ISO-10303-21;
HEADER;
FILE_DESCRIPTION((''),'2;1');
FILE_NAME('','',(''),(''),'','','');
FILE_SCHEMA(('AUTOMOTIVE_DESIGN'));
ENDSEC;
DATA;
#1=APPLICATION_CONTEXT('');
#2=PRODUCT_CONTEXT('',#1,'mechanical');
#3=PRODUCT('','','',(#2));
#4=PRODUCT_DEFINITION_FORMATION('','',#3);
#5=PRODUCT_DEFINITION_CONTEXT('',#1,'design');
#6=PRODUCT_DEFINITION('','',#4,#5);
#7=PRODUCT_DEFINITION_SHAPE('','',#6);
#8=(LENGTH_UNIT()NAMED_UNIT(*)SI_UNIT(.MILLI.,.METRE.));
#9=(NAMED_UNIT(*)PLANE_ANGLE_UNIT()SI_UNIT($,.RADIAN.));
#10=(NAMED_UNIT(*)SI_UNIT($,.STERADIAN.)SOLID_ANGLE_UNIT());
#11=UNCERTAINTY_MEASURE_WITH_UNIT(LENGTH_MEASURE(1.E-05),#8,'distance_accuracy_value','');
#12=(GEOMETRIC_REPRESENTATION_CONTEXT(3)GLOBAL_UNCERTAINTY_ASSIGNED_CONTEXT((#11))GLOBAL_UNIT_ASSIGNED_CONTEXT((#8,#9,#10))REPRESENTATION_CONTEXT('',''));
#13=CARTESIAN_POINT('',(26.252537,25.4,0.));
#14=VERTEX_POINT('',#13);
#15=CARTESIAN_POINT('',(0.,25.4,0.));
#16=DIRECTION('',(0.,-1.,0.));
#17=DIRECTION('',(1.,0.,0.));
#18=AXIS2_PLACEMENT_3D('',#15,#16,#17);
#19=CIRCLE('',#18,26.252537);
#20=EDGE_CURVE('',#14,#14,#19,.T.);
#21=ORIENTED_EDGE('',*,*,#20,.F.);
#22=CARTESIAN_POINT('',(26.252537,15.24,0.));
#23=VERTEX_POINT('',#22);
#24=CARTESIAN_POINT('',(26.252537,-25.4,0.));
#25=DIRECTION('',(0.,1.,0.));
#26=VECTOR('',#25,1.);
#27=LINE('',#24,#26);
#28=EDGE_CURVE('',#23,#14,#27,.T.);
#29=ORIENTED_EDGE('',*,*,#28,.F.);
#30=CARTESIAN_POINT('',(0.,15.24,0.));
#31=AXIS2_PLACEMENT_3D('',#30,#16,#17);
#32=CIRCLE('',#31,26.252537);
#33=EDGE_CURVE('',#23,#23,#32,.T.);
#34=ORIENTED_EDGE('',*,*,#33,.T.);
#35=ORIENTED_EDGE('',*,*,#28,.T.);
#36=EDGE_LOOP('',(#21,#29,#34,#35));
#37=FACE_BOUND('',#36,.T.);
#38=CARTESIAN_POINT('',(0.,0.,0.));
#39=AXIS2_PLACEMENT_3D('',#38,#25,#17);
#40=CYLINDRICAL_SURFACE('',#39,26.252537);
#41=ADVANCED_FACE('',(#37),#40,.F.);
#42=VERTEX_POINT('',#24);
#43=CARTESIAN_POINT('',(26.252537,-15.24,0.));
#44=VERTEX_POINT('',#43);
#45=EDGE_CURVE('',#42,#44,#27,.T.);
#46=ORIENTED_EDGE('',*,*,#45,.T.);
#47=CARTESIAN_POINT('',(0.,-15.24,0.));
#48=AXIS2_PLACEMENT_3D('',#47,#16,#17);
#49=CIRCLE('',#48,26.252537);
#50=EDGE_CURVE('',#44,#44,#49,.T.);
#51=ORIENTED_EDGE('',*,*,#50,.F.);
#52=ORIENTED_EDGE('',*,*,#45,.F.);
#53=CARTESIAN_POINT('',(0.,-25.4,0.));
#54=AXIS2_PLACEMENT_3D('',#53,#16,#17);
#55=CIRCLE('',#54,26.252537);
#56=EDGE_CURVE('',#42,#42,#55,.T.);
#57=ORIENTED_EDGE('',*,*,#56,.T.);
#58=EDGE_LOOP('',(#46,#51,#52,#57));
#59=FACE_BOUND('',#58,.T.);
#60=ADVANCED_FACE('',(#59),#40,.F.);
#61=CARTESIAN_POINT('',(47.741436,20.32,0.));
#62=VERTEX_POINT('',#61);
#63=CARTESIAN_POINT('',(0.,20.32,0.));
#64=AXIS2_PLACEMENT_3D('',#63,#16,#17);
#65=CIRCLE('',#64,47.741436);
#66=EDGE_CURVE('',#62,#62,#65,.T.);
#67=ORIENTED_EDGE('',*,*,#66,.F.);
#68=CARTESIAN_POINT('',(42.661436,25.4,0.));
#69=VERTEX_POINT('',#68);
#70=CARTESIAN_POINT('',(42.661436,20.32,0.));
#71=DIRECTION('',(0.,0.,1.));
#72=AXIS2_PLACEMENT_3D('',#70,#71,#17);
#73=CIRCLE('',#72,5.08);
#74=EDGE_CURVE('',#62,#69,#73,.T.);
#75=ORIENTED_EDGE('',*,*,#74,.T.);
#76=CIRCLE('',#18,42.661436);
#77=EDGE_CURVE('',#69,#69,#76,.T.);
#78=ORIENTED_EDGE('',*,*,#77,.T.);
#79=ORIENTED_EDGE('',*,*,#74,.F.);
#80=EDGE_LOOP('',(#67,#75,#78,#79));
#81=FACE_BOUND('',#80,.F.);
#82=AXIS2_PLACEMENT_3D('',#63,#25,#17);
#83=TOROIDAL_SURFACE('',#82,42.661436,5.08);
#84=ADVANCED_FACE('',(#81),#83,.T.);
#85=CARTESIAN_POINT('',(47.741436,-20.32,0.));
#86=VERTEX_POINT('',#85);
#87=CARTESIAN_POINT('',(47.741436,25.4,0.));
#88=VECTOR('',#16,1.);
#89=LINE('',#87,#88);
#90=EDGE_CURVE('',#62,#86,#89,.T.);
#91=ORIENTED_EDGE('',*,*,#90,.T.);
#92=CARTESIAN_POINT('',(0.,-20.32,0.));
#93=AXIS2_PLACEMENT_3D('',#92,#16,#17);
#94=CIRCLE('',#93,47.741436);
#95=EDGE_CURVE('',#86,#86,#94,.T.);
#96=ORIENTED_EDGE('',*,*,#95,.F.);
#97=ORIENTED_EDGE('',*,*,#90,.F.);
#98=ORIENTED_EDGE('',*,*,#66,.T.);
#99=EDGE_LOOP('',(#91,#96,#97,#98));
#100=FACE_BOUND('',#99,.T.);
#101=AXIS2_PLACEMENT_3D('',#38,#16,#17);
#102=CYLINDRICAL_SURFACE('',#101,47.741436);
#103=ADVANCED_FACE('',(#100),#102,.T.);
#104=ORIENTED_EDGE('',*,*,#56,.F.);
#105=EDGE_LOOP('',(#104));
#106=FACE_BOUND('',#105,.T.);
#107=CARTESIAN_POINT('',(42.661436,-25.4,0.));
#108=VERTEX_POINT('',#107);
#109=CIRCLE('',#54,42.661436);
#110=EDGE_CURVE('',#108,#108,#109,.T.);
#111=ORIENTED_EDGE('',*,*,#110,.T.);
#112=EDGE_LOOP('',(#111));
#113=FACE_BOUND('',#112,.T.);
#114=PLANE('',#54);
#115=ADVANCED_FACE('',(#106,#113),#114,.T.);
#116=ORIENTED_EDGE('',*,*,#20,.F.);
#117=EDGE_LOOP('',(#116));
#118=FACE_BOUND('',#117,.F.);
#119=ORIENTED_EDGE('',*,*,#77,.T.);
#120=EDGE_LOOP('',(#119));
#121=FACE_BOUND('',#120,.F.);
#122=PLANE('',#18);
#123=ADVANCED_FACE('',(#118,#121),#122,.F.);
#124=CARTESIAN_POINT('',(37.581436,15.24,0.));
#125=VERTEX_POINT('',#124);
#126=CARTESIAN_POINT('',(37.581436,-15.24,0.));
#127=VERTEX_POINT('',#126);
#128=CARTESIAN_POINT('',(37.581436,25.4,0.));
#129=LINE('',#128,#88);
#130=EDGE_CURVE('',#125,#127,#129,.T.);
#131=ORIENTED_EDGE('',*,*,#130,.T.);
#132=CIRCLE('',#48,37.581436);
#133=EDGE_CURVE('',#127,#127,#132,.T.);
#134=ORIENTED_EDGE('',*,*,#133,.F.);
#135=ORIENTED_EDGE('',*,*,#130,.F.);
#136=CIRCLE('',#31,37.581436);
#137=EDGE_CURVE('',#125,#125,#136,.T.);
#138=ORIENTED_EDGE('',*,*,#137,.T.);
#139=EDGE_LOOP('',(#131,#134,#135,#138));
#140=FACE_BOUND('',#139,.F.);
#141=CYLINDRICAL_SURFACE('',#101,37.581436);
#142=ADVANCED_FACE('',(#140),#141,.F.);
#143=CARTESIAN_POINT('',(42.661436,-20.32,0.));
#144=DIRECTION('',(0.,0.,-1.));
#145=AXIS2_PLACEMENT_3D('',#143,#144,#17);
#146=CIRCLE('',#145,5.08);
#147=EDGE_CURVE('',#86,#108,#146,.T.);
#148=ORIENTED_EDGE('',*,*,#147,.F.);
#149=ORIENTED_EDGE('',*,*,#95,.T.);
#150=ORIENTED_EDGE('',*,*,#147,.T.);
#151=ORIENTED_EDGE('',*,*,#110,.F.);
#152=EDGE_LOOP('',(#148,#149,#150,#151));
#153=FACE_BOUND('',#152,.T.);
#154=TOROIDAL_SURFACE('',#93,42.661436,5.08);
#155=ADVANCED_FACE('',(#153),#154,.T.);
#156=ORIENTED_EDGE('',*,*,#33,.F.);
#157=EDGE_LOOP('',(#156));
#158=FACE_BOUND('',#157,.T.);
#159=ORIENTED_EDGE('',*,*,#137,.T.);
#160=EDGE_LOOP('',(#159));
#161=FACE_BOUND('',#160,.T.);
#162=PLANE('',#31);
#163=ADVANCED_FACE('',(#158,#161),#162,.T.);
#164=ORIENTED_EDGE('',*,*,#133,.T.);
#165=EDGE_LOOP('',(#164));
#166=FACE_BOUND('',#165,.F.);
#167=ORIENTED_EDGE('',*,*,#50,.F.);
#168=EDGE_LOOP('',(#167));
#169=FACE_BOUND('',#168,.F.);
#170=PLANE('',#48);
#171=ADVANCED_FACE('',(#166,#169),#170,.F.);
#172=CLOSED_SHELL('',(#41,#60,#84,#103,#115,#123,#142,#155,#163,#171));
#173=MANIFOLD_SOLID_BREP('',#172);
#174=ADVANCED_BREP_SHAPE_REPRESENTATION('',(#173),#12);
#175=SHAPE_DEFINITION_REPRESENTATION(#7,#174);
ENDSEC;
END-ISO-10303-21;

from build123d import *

# Parameters (mm, degrees)
F0_R     = 47.741436
F0_R_2   = 26.252537
F1_DEPTH = 25.4
F2_R     = 5.08
F3_R     = 5.08
F4_T     = -10.16


with BuildPart() as f1:
    # F0 (on Front) → F1 (new body, symmetric)
    with BuildSketch(Plane.XZ):
        Circle(F0_R)
        Circle(F0_R_2, mode=Mode.SUBTRACT)
    extrude(amount=F1_DEPTH, both=True)

    # F2
    f2_edges = [f1.edges().sort_by_distance(p)[0] for p in [
        (-47.741436, -25.4, 0),
    ]]
    fillet(f2_edges, radius=F2_R)

    # F3
    f3_edges = [f1.edges().sort_by_distance(p)[0] for p in [
        (-47.741436, 25.4, 0),
    ]]
    fillet(f3_edges, radius=F3_R)

    # F4
    f4_openings = [f1.faces().sort_by_distance(p)[0] for p in [
        (-26.252537, 0, 0),
    ]]
    offset(amount=F4_T, openings=f4_openings)


solid = f1.part
